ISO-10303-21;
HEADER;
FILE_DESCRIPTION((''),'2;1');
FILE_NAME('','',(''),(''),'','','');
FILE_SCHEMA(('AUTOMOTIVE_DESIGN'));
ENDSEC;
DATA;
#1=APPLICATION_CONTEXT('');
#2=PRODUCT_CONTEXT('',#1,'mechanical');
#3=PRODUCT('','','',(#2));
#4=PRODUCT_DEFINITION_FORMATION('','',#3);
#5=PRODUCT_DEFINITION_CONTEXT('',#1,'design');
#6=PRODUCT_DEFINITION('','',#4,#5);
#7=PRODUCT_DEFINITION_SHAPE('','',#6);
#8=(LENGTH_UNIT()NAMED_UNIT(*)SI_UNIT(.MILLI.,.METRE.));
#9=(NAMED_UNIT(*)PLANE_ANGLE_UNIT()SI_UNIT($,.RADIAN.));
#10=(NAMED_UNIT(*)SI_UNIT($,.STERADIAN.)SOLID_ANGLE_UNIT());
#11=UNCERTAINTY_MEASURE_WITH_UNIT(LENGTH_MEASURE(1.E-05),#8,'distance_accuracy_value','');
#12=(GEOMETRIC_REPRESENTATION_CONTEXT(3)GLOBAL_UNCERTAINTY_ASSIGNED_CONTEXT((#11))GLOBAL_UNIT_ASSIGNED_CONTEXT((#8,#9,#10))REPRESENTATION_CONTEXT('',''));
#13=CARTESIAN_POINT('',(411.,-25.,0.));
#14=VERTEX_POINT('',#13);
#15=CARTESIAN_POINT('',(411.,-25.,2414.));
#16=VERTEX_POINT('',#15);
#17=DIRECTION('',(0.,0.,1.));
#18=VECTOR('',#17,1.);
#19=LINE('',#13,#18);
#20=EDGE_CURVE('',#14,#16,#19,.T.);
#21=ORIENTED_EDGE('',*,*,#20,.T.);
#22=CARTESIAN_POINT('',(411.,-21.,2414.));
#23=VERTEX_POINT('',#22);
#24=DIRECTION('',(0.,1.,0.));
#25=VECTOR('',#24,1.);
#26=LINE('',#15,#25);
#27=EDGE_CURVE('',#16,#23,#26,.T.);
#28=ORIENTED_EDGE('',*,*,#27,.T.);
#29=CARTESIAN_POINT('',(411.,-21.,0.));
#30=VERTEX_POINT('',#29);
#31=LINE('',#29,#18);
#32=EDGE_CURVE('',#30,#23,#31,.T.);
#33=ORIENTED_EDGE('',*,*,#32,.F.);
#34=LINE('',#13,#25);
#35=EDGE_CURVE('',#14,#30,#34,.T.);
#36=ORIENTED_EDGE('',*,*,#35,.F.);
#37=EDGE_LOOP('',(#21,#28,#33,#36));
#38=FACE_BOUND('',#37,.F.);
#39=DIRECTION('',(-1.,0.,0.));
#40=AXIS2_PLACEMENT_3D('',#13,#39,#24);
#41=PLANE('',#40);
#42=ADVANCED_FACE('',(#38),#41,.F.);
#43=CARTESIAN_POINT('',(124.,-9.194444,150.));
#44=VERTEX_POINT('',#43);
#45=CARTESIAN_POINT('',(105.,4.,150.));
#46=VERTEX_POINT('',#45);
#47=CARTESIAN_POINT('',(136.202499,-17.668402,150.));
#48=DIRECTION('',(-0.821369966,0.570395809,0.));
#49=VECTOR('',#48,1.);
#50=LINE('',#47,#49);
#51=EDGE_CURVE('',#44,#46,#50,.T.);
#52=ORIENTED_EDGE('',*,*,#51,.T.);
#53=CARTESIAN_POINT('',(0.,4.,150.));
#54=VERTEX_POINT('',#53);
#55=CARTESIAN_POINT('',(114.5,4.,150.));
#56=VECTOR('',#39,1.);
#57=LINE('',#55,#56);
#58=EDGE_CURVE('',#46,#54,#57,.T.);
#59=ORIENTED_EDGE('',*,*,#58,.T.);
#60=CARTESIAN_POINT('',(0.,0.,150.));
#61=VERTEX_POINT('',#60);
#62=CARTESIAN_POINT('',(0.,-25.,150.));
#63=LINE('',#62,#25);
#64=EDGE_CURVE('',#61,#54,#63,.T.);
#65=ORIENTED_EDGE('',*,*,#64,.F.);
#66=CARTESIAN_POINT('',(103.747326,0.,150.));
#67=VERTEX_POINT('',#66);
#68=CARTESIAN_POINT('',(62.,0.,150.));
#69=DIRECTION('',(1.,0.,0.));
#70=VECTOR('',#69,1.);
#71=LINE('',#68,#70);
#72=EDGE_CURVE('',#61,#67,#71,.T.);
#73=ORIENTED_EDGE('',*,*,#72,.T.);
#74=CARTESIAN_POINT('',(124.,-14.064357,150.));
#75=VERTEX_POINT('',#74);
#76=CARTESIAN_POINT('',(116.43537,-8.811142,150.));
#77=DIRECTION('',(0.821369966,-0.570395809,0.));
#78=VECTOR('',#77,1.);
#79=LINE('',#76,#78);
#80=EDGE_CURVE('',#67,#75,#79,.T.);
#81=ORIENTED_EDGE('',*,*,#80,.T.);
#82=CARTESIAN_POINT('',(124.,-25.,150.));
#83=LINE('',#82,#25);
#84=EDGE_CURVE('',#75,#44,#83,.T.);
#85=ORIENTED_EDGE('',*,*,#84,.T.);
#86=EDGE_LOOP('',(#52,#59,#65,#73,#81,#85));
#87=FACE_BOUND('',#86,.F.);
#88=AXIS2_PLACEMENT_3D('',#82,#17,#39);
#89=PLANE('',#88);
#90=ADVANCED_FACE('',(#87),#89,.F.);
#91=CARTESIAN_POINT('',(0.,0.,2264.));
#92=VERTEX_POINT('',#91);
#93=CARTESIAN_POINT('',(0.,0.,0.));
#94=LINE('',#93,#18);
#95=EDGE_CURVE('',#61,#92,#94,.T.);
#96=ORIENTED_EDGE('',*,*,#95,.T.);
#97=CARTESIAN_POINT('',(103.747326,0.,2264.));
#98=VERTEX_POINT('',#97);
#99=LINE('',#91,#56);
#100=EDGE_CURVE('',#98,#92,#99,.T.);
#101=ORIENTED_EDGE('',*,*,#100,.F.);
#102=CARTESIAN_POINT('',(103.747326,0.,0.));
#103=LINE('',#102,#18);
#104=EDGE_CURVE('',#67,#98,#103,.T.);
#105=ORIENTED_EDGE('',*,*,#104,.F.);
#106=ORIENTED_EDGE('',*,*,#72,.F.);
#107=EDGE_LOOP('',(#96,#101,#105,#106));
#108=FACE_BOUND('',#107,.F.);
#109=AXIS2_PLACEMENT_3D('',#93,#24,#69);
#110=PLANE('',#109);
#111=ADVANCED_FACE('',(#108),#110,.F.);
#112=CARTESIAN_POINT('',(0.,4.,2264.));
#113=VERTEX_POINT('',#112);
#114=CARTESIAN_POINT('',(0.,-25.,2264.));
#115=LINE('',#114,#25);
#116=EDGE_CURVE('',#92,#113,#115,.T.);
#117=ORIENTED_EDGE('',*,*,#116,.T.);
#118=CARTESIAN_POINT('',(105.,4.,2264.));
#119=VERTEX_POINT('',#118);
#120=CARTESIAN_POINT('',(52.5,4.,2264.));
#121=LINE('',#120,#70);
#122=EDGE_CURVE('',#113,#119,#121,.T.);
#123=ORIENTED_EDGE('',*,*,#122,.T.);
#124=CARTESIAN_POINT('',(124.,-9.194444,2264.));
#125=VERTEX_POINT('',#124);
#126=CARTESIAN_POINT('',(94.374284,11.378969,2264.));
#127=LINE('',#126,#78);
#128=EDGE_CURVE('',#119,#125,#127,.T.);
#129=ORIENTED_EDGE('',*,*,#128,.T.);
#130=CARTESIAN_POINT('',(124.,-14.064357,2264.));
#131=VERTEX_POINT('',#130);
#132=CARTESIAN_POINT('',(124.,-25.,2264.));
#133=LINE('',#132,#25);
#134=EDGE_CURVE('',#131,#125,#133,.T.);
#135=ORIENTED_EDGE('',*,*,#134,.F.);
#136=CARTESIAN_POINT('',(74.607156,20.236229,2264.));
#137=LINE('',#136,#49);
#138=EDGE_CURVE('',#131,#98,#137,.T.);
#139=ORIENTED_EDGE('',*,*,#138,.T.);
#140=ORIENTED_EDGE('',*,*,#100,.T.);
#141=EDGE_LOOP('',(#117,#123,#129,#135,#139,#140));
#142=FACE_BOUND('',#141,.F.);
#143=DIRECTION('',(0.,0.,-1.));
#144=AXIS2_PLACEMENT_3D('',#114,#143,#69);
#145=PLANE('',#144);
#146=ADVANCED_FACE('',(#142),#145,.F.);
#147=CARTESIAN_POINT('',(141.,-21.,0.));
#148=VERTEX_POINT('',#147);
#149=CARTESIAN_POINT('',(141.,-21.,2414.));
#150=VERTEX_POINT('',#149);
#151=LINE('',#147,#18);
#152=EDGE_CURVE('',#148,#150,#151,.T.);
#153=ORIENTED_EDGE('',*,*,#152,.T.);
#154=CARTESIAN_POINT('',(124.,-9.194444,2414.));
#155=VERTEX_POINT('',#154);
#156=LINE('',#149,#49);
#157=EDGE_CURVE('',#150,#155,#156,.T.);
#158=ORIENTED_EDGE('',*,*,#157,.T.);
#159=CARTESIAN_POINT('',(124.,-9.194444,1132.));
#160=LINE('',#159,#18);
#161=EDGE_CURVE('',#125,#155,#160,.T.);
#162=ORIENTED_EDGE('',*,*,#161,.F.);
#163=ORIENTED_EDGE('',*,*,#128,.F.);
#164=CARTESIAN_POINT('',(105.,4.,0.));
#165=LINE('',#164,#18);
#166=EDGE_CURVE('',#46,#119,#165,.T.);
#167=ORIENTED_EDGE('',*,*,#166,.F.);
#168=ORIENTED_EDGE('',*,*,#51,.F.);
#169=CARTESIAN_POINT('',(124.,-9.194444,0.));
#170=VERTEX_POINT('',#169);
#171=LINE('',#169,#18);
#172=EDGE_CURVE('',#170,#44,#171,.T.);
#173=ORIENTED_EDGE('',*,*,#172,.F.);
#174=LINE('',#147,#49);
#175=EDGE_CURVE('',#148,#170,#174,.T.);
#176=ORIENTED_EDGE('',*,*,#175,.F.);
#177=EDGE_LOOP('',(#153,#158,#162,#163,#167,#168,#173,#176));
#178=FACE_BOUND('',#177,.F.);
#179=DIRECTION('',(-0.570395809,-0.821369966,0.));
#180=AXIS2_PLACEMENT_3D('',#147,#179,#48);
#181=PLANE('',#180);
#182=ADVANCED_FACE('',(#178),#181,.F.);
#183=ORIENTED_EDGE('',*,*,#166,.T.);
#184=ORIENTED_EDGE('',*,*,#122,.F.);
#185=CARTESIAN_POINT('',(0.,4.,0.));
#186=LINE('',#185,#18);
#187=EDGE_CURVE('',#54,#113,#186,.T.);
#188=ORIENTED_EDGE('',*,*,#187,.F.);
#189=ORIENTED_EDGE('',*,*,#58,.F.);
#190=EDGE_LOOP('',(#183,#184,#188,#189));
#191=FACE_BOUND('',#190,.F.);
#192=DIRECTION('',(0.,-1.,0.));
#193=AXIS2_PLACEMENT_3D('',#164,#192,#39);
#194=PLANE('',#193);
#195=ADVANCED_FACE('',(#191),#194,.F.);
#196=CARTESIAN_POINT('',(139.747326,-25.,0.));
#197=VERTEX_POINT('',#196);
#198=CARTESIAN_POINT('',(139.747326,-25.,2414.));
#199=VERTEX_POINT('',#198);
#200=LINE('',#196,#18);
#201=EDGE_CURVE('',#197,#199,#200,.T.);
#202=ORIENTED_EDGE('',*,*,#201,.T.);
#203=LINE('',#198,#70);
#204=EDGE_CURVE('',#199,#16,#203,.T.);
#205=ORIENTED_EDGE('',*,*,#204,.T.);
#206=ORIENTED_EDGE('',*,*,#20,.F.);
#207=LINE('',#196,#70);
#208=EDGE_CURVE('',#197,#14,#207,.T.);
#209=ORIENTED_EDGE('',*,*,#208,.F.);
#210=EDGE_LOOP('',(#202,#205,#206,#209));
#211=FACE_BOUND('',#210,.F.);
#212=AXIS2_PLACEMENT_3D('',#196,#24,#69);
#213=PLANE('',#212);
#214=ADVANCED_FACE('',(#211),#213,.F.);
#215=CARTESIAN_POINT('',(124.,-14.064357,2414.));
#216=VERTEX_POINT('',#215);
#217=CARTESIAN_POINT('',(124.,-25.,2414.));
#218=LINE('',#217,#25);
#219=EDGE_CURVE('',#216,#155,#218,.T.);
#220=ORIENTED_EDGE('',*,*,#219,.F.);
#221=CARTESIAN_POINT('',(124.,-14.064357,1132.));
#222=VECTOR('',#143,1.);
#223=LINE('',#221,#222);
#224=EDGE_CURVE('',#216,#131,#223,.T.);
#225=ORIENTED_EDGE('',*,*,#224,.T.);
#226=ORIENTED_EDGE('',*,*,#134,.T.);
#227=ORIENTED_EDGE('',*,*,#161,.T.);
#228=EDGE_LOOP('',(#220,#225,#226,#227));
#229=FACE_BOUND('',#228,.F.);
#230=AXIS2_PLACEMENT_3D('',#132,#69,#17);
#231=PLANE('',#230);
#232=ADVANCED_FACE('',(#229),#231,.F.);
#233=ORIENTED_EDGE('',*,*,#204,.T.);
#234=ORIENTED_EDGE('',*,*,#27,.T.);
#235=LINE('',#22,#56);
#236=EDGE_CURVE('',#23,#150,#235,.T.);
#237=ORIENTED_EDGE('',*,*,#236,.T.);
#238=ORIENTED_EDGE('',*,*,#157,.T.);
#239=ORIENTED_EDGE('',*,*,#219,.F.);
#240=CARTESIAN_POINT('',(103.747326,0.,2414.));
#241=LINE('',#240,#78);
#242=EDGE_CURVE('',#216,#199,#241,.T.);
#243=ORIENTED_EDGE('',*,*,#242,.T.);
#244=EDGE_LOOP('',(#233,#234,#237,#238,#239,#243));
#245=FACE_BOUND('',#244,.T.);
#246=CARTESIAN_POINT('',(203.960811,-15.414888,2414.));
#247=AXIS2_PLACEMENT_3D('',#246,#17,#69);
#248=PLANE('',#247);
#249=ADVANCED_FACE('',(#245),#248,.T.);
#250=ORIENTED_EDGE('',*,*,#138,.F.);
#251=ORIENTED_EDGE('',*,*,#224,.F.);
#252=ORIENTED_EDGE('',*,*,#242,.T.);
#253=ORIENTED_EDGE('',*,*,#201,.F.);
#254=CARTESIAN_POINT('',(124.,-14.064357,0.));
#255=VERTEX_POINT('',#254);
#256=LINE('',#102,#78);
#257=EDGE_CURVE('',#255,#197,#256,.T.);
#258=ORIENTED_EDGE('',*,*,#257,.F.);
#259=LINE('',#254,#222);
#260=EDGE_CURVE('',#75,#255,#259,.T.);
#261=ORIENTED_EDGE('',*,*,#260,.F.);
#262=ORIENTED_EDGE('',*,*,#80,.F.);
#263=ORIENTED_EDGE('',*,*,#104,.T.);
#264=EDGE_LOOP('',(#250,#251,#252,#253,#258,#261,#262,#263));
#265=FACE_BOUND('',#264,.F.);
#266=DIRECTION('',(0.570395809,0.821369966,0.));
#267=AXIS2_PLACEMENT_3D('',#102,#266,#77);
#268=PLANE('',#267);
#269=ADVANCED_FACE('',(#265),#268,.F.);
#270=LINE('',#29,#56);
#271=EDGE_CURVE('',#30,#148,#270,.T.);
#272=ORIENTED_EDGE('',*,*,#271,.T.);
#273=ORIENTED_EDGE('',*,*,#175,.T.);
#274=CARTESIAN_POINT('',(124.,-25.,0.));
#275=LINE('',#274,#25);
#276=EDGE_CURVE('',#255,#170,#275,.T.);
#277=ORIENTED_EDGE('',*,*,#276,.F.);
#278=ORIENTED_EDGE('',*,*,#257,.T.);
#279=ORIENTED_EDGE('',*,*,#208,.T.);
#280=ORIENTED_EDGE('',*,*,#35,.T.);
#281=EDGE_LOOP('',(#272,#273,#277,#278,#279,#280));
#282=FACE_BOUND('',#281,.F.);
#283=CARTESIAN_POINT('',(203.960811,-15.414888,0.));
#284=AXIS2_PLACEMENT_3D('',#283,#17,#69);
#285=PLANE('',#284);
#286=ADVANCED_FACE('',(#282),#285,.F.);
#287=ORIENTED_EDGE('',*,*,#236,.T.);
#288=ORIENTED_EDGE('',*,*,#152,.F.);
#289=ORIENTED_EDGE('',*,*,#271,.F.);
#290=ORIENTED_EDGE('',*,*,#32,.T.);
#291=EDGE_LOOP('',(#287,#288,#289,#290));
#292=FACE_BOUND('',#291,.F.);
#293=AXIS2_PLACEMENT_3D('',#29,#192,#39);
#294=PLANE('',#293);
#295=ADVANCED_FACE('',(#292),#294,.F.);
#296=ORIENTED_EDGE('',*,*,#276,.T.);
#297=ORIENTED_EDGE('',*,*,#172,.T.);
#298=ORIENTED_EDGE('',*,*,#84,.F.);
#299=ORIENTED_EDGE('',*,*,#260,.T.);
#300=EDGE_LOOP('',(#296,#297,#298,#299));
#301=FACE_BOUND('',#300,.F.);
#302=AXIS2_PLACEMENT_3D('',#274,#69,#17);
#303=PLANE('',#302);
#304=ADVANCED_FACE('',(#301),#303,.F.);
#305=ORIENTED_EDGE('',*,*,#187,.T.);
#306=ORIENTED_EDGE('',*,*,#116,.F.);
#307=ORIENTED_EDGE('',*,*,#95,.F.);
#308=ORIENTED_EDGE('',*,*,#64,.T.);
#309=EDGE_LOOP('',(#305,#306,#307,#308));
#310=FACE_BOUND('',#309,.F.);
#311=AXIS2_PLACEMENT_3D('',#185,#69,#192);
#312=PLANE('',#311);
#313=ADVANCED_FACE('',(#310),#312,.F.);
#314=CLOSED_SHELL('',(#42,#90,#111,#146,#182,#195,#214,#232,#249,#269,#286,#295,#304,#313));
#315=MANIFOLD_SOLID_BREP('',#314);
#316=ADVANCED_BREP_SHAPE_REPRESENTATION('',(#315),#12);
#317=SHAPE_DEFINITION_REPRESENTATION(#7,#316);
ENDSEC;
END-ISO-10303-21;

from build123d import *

# Parameters (mm, degrees)
F1_DEPTH = 2414
F3_DEPTH = 29.001


with BuildPart() as f1:
    # F0 (on Top) → F1 (new body)
    with BuildSketch(Plane.XY):
        Polygon((0, 4), (0, 0), (103.747326, 0), (139.747326, -25), (411, -25), (411, -21), (141, -21), (105, 4), align=None)
    extrude(amount=F1_DEPTH)

    # F2 (on face) → F3 (cut, through all)
    with BuildSketch(Plane.XZ.offset(25)):
        Polygon((103.747326, 2414), (0, 2414), (0, 2264), (124, 2264), (124, 2414), align=None)
        Polygon((103.747326, 0), (124, 0), (124, 150), (0, 150), (0, 0), align=None)
    extrude(amount=-F3_DEPTH, mode=Mode.SUBTRACT)


solid = f1.part
